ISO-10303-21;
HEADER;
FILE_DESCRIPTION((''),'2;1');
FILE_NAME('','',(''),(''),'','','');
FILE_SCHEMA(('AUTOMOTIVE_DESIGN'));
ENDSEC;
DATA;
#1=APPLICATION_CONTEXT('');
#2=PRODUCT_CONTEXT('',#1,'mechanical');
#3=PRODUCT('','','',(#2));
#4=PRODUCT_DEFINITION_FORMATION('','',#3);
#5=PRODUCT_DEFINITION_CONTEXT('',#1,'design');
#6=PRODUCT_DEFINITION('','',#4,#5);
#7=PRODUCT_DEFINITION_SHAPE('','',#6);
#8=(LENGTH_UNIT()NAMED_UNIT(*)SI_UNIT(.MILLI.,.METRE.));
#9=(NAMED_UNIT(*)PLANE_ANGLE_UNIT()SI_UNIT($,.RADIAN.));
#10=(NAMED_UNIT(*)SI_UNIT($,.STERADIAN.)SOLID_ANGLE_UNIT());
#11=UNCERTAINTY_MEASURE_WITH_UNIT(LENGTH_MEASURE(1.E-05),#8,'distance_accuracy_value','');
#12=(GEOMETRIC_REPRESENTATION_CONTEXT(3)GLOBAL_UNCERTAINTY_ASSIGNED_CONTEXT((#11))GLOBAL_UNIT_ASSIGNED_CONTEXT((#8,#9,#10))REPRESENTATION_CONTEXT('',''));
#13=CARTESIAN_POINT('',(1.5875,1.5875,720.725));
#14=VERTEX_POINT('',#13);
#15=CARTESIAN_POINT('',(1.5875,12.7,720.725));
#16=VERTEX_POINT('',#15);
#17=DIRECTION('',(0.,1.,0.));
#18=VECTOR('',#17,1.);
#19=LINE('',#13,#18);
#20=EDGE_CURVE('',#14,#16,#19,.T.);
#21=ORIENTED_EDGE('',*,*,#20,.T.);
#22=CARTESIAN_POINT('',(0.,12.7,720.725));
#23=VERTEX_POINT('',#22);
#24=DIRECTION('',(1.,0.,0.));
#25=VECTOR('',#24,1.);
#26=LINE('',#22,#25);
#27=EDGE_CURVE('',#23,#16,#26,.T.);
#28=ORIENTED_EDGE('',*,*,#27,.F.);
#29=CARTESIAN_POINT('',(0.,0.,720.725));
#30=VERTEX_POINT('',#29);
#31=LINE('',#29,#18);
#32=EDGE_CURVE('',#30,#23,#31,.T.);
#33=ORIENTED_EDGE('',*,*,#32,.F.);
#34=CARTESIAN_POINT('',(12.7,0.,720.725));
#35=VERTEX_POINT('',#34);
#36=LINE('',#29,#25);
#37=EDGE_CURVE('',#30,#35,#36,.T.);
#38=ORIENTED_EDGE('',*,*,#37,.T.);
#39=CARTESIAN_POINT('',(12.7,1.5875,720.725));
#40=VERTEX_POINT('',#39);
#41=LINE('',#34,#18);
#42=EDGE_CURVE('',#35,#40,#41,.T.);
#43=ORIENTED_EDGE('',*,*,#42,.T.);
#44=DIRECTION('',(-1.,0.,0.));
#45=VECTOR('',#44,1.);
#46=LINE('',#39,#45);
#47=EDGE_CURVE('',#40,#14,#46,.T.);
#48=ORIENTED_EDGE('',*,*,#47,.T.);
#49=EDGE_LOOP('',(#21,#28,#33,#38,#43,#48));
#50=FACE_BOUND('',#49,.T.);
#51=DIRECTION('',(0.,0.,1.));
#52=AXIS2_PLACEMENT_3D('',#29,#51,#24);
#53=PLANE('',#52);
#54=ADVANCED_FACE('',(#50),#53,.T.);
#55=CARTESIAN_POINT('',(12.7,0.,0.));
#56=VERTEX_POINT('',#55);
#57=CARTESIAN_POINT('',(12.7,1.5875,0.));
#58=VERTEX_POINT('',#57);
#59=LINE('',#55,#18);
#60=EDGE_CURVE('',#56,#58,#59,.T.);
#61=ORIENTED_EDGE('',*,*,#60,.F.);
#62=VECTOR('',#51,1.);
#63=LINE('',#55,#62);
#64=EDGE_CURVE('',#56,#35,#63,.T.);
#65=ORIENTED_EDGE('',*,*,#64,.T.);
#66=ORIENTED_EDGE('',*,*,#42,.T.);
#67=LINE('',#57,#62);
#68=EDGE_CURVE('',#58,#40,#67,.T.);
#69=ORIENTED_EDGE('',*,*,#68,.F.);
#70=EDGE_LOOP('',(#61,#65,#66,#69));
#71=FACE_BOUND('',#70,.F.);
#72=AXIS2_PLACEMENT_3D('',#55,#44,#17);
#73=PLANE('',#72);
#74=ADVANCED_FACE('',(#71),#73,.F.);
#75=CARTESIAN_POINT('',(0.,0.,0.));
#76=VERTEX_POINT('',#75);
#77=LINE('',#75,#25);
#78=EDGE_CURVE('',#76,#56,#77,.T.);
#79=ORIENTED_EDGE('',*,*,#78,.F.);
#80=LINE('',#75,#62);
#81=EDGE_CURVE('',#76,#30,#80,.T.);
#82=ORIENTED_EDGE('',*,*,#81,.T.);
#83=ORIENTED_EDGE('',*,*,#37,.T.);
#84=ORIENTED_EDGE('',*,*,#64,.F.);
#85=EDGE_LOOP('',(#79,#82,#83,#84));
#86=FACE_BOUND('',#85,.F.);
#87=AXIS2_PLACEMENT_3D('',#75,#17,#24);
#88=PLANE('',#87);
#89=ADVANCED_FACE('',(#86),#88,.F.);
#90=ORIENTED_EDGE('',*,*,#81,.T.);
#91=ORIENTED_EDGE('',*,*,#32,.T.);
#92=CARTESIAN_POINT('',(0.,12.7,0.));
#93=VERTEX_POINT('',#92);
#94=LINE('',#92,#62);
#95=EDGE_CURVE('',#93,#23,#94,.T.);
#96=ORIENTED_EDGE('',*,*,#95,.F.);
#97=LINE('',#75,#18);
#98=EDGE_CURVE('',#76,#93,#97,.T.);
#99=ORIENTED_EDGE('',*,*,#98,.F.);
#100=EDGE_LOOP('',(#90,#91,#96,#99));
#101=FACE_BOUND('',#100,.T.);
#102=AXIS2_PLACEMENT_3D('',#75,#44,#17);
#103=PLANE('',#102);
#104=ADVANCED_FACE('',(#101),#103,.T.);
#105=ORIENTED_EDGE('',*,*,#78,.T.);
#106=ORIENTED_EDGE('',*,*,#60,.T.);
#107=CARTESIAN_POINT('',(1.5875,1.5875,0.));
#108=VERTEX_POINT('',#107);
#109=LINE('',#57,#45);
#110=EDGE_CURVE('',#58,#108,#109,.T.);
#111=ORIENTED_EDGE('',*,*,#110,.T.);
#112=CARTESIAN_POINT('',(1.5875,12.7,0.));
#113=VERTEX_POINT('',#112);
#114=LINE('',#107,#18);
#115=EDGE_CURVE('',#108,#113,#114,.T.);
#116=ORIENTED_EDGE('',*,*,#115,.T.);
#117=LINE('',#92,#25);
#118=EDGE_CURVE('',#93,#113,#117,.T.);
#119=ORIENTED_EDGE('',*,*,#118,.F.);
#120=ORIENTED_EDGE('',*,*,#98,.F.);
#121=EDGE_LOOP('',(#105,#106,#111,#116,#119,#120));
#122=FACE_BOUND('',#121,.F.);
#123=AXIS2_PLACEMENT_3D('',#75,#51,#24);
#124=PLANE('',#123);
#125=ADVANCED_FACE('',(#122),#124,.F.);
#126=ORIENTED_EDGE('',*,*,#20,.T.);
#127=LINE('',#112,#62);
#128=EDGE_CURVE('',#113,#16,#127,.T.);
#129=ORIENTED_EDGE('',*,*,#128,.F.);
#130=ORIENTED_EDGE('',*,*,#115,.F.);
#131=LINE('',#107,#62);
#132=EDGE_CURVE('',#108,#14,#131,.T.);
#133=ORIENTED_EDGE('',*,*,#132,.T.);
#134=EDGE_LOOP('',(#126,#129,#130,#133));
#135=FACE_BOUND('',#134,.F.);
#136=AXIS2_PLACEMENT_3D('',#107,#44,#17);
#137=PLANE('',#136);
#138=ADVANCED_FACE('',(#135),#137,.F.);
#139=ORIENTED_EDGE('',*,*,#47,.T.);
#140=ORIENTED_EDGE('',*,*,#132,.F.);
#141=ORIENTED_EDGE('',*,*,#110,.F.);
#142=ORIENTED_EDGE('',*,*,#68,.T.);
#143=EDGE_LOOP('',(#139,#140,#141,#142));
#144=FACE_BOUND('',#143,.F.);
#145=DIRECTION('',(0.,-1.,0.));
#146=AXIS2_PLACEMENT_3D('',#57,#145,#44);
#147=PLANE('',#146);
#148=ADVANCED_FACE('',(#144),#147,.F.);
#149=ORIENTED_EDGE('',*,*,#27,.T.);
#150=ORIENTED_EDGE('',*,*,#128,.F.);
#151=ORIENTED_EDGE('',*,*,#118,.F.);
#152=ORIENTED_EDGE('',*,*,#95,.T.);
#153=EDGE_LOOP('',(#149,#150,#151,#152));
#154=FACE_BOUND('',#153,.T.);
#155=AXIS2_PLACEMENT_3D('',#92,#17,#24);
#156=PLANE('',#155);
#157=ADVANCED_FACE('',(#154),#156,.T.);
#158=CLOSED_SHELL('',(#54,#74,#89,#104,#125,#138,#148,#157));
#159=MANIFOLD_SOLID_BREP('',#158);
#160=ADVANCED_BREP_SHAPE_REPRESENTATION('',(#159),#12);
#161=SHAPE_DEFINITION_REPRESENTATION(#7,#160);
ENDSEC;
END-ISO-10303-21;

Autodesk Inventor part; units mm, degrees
ref_plane "YZ Plane" through (0, 0, 0) normal (1, 0, 0) x (0, 1, 0)
ref_plane "XZ Plane" through (0, 0, 0) normal (0, 1, 0) x (-1, 0, 0)
ref_plane "XY Plane" through (0, 0, 0) normal (0, 0, 1) x (1, 0, 0)
sketch "Sketch1" plane through (0, 0, 0) normal (0, 0, 1) x (1, 0, 0)
  line L0 (0, 0) -> (0, 12.7)
  line L1 (0, 12.7) -> (1.5875, 12.7)
  line L2 (0, 0) -> (12.7, 0)
  line L3 (12.7, 0) -> (12.7, 1.5875)
  line L4 (12.7, 1.5875) -> (1.5875, 1.5875)
  line L5 (1.5875, 1.5875) -> (1.5875, 12.7)
  dimension "d0" = 12.7
  dimension "d1" = 1.5875
  dimension "d2" = 12.7
  dimension "d3" = 1.5875
extrude "Extrusion1" add sketch "Sketch1" along normal blind 720.725
properties part number "Bumper Metal Edge Part2 (26x28 robot)" material "Aluminum 6061"
